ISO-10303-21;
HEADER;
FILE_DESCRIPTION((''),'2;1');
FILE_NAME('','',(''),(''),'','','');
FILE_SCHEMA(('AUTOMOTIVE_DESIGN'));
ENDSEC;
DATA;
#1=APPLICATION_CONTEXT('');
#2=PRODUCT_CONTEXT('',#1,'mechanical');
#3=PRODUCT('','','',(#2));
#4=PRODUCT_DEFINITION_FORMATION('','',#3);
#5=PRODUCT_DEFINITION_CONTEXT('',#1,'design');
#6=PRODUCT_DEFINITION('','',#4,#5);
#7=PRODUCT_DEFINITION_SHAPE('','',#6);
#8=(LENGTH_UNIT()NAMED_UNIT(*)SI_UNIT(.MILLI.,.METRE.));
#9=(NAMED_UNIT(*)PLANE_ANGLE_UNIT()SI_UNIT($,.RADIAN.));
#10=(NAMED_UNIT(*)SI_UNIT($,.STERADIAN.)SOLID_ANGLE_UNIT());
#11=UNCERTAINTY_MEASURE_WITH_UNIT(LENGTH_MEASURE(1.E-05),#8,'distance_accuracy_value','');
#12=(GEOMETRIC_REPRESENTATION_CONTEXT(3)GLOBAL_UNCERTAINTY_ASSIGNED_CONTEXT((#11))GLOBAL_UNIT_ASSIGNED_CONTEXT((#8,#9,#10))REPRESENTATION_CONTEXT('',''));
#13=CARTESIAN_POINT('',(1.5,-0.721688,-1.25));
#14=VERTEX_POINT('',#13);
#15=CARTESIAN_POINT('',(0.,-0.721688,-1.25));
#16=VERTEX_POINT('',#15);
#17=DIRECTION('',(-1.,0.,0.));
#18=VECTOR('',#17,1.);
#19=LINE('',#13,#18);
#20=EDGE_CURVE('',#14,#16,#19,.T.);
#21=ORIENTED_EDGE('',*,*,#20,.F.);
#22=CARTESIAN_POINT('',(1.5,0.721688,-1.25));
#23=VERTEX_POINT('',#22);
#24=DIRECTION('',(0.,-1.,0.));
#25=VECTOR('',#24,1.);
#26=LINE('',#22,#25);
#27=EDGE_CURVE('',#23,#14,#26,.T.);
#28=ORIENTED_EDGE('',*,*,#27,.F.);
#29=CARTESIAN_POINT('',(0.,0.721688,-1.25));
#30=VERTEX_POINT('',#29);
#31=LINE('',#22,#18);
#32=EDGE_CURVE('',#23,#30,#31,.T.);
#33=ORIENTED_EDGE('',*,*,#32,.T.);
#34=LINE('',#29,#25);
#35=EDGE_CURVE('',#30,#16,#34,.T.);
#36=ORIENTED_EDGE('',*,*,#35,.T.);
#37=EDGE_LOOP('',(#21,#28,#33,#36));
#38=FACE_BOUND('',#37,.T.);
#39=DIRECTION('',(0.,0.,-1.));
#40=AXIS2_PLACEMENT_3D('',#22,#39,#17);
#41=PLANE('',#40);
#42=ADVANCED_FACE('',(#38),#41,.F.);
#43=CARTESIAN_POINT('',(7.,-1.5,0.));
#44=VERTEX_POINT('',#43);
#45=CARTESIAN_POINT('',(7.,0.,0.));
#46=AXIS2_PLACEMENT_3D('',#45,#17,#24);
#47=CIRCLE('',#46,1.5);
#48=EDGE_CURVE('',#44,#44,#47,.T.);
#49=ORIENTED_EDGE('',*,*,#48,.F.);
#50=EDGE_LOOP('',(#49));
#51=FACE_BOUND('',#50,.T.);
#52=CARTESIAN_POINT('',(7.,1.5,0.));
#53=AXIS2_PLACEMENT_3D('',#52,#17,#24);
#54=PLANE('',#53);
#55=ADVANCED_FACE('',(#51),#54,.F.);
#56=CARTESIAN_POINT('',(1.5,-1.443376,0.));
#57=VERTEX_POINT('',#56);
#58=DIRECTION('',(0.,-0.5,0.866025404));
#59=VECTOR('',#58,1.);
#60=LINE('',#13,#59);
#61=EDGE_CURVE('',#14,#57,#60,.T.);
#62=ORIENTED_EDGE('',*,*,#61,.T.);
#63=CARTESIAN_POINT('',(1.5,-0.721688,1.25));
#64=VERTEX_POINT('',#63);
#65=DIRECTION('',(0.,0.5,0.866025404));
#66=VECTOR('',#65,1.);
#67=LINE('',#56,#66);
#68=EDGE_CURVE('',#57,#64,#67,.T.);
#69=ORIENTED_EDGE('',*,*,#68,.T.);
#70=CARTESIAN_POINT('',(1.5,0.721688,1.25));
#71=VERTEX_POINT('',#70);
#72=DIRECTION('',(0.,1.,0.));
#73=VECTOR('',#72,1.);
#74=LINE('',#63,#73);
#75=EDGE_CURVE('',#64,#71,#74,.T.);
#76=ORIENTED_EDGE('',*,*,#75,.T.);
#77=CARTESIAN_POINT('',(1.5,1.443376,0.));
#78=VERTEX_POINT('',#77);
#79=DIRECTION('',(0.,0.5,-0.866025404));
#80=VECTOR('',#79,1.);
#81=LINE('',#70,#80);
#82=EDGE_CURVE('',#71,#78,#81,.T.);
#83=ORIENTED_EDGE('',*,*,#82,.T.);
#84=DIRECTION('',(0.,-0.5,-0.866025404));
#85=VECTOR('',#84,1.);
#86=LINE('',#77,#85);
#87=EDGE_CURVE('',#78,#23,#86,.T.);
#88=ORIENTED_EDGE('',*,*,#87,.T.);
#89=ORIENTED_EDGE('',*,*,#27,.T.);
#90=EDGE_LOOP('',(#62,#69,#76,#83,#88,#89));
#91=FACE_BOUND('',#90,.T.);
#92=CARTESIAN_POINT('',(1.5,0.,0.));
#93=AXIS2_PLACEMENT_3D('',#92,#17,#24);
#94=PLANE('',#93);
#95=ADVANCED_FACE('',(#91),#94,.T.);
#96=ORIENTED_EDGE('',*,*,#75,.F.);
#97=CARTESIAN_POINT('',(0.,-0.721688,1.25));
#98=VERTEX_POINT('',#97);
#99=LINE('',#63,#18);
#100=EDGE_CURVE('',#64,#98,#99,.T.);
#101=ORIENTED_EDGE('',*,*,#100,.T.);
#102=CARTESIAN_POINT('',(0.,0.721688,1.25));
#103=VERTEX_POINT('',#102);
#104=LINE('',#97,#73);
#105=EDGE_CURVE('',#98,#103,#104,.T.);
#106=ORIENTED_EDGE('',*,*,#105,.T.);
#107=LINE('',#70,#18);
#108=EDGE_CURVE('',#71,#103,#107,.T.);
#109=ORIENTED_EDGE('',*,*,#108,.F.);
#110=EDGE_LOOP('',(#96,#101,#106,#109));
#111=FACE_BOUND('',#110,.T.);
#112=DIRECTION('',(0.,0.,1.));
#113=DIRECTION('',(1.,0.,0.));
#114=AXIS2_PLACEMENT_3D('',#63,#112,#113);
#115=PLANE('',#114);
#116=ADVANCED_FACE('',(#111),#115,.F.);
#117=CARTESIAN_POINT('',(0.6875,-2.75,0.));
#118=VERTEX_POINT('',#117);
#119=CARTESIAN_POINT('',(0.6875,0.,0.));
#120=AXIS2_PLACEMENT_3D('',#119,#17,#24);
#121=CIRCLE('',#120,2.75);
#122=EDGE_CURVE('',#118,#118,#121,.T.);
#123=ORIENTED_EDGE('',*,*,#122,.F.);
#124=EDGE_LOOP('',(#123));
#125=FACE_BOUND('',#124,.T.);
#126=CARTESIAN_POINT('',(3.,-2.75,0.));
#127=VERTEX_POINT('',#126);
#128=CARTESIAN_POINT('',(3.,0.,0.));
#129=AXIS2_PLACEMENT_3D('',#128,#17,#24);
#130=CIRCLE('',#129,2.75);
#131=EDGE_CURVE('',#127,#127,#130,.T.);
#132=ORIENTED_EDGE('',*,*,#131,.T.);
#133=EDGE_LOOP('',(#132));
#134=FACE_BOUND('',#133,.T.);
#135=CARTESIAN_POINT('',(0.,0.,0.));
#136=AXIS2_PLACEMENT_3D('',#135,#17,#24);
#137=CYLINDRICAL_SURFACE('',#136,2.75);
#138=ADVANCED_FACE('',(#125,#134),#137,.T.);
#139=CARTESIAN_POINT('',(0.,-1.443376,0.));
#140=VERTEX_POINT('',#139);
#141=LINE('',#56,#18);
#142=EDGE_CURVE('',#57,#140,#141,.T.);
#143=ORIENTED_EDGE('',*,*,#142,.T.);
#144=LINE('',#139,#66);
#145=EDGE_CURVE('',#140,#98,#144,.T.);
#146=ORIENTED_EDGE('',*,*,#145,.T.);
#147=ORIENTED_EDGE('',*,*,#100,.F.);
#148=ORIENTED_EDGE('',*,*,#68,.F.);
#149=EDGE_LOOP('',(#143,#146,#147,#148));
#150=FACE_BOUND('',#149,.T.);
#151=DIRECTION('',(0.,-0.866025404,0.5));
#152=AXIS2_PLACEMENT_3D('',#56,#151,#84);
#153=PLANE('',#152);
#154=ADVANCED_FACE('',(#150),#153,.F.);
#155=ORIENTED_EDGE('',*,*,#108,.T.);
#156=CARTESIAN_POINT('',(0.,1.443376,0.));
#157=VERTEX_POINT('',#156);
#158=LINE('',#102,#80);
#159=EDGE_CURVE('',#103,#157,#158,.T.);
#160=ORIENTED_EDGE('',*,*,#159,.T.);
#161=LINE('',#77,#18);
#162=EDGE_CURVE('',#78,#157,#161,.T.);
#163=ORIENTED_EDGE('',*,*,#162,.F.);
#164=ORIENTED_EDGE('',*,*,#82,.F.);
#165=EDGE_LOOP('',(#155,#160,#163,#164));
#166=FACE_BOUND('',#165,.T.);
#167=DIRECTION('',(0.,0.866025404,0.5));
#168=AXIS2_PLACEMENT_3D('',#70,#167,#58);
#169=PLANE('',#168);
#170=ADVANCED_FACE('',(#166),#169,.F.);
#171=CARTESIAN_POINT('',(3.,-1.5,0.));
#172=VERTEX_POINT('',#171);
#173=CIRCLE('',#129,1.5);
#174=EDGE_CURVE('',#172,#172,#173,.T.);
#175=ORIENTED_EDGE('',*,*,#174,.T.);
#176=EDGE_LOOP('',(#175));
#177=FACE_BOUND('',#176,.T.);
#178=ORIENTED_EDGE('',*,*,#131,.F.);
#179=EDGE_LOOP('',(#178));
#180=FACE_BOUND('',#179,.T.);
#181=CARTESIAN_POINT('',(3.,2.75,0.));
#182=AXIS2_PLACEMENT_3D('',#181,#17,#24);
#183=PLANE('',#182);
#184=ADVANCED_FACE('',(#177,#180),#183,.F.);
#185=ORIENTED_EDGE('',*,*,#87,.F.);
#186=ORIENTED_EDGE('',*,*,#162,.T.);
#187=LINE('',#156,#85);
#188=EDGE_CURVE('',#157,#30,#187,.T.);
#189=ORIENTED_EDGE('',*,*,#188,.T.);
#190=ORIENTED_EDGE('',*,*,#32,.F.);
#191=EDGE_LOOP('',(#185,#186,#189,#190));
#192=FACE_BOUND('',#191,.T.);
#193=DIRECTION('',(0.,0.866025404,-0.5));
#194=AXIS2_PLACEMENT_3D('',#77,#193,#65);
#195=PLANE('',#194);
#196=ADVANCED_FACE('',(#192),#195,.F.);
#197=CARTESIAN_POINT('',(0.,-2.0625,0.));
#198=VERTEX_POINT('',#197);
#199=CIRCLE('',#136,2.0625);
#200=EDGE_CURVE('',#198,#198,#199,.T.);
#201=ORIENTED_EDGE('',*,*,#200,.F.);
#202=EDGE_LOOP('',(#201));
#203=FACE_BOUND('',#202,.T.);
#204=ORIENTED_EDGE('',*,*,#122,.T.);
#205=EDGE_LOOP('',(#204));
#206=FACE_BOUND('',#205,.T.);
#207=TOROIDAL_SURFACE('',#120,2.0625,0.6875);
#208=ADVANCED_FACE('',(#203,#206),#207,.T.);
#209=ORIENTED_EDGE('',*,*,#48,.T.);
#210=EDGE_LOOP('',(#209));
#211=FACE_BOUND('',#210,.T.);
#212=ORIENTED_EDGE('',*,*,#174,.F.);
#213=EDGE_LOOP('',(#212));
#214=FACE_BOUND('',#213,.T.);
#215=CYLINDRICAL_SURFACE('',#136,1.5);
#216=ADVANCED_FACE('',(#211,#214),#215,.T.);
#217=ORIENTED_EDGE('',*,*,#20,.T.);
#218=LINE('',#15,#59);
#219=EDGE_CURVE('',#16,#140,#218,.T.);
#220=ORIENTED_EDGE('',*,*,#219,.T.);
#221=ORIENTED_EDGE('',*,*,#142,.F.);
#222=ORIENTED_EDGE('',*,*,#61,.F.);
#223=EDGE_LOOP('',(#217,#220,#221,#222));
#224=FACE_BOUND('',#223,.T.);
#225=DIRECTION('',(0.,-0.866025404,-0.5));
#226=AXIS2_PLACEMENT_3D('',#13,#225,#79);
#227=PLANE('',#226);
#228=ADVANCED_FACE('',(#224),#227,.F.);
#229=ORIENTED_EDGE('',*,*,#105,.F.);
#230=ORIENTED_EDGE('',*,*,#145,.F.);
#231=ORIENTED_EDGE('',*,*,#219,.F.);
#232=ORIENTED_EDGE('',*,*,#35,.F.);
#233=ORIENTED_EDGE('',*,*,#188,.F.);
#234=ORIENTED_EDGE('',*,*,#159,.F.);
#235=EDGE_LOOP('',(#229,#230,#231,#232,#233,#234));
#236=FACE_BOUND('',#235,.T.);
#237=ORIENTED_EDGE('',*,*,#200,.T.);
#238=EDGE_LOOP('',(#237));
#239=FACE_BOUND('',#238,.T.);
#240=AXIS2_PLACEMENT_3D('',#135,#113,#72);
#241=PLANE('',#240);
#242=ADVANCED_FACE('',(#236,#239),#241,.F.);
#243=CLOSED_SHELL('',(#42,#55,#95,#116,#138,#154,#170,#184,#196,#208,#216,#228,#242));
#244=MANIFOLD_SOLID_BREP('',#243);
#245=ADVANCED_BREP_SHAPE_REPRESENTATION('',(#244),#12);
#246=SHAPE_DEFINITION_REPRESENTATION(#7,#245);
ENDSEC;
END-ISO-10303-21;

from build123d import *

# Parameters (mm, degrees)
CUT_EXTRUDE1_DEPTH = 1.5


with BuildPart() as part:
    # Sketch1 → Revolve1 (revolve)
    with BuildSketch(Plane.XY, mode=Mode.PRIVATE) as revolve1_sk:
        with BuildLine():
            Line((0, 0), (0, 2.0625))
            ThreePointArc((0, 2.0625), (0.201364088, 2.548635912), (0.6875, 2.75))
            Line((0.6875, 2.75), (3, 2.75))
            Line((3, 2.75), (3, 1.5))
            Line((3, 1.5), (7, 1.5))
            Line((7, 1.5), (7, 0))
            Line((7, 0), (0, 0))
        make_face()
    revolve(revolve1_sk.sketch.rotate(Axis((0, 0, 0), (1, 0, 0)), 180), axis=Axis((0, 0, 0), (1, 0, 0)))

    # Sketch2 → Cut-Extrude1 (cut)
    with BuildSketch(Plane.ZY):
        Polygon((0, 1.443375673), (-1.25, 0.721687836), (-1.25, -0.721687836), (0, -1.443375673), (1.25, -0.721687836), (1.25, 0.721687836), align=None)
    extrude(amount=-CUT_EXTRUDE1_DEPTH, mode=Mode.SUBTRACT)


solid = part.part
